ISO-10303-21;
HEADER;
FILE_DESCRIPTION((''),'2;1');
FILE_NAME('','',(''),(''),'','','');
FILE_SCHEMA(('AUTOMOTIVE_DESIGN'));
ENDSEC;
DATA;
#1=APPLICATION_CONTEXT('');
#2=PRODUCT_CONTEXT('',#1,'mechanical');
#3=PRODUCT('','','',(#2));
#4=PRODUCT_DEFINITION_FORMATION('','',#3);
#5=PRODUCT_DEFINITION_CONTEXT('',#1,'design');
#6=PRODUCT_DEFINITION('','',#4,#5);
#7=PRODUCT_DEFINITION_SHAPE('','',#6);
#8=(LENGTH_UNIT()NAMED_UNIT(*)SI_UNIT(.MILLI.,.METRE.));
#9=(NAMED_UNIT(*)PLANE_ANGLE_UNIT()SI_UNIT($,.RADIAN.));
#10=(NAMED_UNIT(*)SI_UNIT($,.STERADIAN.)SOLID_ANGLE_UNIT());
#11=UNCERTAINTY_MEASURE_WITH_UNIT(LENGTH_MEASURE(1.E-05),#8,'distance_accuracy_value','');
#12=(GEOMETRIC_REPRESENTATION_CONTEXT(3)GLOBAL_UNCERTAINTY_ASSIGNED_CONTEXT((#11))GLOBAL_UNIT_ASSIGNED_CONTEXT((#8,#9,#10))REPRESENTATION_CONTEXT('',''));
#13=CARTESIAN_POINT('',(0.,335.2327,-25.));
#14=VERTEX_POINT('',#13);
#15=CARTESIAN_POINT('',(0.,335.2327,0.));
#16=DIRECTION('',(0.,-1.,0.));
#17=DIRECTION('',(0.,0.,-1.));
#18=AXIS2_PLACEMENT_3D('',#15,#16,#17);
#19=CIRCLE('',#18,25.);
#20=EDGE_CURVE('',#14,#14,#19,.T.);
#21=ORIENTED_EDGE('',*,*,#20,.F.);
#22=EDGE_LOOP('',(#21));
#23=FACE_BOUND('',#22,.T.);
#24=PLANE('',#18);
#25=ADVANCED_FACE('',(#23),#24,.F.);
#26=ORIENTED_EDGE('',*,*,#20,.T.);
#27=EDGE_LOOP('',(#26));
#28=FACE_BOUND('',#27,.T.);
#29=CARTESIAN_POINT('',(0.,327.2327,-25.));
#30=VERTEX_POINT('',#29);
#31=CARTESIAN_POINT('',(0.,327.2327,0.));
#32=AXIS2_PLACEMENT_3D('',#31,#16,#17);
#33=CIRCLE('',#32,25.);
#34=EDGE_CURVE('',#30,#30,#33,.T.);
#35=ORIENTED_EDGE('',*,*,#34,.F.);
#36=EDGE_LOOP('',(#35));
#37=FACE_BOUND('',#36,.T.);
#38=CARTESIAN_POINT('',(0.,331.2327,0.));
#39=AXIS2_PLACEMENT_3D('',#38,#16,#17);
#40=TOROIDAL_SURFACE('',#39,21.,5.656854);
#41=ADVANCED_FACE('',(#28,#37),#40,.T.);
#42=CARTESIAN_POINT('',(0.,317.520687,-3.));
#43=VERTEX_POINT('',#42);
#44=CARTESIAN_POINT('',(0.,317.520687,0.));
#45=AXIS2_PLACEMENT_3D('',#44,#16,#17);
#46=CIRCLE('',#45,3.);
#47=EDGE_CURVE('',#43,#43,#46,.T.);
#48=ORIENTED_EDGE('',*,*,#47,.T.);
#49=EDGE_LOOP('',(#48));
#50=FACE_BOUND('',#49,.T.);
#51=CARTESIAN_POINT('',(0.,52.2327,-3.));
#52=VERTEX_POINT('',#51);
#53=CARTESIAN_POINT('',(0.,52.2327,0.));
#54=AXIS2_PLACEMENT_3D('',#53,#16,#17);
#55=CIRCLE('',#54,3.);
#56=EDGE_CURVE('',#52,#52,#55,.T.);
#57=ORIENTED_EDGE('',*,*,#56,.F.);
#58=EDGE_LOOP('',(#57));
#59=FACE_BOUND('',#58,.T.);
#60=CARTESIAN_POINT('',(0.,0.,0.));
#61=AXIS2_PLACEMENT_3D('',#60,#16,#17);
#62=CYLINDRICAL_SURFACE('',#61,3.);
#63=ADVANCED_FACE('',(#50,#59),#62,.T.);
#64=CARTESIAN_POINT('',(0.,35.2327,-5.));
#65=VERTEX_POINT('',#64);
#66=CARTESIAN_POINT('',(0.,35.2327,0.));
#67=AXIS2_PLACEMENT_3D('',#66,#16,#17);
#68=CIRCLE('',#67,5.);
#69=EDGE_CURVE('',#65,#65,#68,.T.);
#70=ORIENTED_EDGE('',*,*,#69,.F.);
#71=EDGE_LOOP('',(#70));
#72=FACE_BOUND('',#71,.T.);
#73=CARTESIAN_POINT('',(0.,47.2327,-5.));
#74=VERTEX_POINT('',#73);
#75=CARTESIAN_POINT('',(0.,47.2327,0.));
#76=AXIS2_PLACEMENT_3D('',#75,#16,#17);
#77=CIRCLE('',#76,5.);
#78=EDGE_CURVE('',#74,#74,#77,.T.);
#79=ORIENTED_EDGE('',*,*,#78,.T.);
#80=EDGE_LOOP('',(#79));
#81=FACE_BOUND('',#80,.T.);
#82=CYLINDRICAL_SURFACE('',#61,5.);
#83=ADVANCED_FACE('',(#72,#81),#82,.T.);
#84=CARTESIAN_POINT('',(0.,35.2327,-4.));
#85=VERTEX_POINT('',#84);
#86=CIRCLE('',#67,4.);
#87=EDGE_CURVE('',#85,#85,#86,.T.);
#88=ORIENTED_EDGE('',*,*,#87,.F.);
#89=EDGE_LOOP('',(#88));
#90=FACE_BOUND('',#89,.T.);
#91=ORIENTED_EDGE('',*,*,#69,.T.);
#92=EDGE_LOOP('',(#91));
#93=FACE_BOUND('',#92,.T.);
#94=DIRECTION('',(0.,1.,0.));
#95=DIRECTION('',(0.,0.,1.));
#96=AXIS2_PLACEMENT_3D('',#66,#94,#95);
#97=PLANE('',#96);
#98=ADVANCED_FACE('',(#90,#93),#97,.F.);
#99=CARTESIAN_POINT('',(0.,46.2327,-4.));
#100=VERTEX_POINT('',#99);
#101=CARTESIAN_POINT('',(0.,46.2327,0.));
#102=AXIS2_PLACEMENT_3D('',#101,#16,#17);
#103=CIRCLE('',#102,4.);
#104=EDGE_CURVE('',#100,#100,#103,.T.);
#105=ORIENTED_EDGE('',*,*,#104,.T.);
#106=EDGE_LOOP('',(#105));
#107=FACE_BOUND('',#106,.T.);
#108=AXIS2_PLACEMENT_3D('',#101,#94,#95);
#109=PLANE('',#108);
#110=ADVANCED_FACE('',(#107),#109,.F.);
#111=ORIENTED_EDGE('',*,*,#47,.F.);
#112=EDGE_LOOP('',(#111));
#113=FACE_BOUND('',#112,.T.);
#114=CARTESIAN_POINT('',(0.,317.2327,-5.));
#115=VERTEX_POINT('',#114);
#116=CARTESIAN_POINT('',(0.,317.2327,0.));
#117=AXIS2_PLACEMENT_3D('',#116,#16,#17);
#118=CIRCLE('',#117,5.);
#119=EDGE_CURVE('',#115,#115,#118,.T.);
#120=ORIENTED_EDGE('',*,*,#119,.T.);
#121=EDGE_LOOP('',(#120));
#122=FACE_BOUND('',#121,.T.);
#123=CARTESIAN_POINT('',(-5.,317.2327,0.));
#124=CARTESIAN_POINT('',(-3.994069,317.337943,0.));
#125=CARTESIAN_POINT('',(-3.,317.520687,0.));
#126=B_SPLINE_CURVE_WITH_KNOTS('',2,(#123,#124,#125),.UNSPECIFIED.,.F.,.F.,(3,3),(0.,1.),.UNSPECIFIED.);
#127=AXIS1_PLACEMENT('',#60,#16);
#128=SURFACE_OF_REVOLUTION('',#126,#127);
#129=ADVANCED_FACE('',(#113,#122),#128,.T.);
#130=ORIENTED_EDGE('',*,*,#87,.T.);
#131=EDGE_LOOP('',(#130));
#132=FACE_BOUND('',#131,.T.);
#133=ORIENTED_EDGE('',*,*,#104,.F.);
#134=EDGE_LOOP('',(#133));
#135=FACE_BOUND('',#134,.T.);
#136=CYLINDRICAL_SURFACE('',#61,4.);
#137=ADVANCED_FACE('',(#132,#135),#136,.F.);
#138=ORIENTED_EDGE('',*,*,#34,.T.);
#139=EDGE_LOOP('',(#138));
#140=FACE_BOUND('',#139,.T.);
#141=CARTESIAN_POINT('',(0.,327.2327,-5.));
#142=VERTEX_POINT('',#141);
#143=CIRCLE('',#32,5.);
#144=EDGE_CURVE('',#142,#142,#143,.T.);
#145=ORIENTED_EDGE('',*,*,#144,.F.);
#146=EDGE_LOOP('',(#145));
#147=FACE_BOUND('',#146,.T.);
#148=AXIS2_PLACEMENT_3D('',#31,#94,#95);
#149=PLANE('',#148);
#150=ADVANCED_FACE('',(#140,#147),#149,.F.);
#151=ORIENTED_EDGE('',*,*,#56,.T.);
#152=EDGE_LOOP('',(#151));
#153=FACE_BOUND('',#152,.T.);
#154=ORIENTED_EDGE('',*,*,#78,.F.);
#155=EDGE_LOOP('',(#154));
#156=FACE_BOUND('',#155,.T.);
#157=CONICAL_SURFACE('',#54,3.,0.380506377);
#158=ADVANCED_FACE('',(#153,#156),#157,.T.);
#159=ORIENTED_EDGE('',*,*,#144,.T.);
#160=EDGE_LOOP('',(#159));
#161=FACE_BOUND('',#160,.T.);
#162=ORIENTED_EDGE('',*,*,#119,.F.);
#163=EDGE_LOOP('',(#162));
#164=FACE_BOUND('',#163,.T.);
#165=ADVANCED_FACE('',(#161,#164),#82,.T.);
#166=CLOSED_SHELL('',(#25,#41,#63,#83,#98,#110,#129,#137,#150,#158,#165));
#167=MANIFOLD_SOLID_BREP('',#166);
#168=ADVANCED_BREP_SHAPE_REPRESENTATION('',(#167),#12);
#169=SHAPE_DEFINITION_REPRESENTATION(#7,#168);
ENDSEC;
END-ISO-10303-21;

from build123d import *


with BuildPart() as part:
    # Sketch1 → Revolve2 (revolve)
    with BuildSketch(Plane.XY, mode=Mode.PRIVATE) as revolve2_sk:
        with BuildLine():
            Line((-5, 327.232699925), (-5, 317.232699925))
            add(Edge.make_bspline(
                [(-5, 317.232699925), (-3.994069006, 317.33794331), (-3, 317.520687178)],
                knots=[0, 0, 0, 1, 1, 1], degree=2))
            Line((-3, 317.520687178), (-3, 52.232699925))
            Line((-3, 52.232699925), (-5, 47.232699925))
            Line((-5, 47.232699925), (-5, 35.232699925))
            Line((-5, 35.232699925), (-4, 35.232699925))
            Line((-4, 35.232699925), (-4, 46.232699925))
            Line((-4, 46.232699925), (0, 46.232699925))
            Line((0, 46.232699925), (0, 335.232699925))
            Line((0, 335.232699925), (-25, 335.232699925))
            ThreePointArc((-25, 335.232699925), (-26.656854249, 331.232699925), (-25, 327.232699925))
            Line((-25, 327.232699925), (-5, 327.232699925))
        make_face()
    revolve(revolve2_sk.sketch.rotate(Axis((0, 0, 0), (0, 1, 0)), 270), axis=Axis((0, 0, 0), (0, 1, 0)))


solid = part.part
